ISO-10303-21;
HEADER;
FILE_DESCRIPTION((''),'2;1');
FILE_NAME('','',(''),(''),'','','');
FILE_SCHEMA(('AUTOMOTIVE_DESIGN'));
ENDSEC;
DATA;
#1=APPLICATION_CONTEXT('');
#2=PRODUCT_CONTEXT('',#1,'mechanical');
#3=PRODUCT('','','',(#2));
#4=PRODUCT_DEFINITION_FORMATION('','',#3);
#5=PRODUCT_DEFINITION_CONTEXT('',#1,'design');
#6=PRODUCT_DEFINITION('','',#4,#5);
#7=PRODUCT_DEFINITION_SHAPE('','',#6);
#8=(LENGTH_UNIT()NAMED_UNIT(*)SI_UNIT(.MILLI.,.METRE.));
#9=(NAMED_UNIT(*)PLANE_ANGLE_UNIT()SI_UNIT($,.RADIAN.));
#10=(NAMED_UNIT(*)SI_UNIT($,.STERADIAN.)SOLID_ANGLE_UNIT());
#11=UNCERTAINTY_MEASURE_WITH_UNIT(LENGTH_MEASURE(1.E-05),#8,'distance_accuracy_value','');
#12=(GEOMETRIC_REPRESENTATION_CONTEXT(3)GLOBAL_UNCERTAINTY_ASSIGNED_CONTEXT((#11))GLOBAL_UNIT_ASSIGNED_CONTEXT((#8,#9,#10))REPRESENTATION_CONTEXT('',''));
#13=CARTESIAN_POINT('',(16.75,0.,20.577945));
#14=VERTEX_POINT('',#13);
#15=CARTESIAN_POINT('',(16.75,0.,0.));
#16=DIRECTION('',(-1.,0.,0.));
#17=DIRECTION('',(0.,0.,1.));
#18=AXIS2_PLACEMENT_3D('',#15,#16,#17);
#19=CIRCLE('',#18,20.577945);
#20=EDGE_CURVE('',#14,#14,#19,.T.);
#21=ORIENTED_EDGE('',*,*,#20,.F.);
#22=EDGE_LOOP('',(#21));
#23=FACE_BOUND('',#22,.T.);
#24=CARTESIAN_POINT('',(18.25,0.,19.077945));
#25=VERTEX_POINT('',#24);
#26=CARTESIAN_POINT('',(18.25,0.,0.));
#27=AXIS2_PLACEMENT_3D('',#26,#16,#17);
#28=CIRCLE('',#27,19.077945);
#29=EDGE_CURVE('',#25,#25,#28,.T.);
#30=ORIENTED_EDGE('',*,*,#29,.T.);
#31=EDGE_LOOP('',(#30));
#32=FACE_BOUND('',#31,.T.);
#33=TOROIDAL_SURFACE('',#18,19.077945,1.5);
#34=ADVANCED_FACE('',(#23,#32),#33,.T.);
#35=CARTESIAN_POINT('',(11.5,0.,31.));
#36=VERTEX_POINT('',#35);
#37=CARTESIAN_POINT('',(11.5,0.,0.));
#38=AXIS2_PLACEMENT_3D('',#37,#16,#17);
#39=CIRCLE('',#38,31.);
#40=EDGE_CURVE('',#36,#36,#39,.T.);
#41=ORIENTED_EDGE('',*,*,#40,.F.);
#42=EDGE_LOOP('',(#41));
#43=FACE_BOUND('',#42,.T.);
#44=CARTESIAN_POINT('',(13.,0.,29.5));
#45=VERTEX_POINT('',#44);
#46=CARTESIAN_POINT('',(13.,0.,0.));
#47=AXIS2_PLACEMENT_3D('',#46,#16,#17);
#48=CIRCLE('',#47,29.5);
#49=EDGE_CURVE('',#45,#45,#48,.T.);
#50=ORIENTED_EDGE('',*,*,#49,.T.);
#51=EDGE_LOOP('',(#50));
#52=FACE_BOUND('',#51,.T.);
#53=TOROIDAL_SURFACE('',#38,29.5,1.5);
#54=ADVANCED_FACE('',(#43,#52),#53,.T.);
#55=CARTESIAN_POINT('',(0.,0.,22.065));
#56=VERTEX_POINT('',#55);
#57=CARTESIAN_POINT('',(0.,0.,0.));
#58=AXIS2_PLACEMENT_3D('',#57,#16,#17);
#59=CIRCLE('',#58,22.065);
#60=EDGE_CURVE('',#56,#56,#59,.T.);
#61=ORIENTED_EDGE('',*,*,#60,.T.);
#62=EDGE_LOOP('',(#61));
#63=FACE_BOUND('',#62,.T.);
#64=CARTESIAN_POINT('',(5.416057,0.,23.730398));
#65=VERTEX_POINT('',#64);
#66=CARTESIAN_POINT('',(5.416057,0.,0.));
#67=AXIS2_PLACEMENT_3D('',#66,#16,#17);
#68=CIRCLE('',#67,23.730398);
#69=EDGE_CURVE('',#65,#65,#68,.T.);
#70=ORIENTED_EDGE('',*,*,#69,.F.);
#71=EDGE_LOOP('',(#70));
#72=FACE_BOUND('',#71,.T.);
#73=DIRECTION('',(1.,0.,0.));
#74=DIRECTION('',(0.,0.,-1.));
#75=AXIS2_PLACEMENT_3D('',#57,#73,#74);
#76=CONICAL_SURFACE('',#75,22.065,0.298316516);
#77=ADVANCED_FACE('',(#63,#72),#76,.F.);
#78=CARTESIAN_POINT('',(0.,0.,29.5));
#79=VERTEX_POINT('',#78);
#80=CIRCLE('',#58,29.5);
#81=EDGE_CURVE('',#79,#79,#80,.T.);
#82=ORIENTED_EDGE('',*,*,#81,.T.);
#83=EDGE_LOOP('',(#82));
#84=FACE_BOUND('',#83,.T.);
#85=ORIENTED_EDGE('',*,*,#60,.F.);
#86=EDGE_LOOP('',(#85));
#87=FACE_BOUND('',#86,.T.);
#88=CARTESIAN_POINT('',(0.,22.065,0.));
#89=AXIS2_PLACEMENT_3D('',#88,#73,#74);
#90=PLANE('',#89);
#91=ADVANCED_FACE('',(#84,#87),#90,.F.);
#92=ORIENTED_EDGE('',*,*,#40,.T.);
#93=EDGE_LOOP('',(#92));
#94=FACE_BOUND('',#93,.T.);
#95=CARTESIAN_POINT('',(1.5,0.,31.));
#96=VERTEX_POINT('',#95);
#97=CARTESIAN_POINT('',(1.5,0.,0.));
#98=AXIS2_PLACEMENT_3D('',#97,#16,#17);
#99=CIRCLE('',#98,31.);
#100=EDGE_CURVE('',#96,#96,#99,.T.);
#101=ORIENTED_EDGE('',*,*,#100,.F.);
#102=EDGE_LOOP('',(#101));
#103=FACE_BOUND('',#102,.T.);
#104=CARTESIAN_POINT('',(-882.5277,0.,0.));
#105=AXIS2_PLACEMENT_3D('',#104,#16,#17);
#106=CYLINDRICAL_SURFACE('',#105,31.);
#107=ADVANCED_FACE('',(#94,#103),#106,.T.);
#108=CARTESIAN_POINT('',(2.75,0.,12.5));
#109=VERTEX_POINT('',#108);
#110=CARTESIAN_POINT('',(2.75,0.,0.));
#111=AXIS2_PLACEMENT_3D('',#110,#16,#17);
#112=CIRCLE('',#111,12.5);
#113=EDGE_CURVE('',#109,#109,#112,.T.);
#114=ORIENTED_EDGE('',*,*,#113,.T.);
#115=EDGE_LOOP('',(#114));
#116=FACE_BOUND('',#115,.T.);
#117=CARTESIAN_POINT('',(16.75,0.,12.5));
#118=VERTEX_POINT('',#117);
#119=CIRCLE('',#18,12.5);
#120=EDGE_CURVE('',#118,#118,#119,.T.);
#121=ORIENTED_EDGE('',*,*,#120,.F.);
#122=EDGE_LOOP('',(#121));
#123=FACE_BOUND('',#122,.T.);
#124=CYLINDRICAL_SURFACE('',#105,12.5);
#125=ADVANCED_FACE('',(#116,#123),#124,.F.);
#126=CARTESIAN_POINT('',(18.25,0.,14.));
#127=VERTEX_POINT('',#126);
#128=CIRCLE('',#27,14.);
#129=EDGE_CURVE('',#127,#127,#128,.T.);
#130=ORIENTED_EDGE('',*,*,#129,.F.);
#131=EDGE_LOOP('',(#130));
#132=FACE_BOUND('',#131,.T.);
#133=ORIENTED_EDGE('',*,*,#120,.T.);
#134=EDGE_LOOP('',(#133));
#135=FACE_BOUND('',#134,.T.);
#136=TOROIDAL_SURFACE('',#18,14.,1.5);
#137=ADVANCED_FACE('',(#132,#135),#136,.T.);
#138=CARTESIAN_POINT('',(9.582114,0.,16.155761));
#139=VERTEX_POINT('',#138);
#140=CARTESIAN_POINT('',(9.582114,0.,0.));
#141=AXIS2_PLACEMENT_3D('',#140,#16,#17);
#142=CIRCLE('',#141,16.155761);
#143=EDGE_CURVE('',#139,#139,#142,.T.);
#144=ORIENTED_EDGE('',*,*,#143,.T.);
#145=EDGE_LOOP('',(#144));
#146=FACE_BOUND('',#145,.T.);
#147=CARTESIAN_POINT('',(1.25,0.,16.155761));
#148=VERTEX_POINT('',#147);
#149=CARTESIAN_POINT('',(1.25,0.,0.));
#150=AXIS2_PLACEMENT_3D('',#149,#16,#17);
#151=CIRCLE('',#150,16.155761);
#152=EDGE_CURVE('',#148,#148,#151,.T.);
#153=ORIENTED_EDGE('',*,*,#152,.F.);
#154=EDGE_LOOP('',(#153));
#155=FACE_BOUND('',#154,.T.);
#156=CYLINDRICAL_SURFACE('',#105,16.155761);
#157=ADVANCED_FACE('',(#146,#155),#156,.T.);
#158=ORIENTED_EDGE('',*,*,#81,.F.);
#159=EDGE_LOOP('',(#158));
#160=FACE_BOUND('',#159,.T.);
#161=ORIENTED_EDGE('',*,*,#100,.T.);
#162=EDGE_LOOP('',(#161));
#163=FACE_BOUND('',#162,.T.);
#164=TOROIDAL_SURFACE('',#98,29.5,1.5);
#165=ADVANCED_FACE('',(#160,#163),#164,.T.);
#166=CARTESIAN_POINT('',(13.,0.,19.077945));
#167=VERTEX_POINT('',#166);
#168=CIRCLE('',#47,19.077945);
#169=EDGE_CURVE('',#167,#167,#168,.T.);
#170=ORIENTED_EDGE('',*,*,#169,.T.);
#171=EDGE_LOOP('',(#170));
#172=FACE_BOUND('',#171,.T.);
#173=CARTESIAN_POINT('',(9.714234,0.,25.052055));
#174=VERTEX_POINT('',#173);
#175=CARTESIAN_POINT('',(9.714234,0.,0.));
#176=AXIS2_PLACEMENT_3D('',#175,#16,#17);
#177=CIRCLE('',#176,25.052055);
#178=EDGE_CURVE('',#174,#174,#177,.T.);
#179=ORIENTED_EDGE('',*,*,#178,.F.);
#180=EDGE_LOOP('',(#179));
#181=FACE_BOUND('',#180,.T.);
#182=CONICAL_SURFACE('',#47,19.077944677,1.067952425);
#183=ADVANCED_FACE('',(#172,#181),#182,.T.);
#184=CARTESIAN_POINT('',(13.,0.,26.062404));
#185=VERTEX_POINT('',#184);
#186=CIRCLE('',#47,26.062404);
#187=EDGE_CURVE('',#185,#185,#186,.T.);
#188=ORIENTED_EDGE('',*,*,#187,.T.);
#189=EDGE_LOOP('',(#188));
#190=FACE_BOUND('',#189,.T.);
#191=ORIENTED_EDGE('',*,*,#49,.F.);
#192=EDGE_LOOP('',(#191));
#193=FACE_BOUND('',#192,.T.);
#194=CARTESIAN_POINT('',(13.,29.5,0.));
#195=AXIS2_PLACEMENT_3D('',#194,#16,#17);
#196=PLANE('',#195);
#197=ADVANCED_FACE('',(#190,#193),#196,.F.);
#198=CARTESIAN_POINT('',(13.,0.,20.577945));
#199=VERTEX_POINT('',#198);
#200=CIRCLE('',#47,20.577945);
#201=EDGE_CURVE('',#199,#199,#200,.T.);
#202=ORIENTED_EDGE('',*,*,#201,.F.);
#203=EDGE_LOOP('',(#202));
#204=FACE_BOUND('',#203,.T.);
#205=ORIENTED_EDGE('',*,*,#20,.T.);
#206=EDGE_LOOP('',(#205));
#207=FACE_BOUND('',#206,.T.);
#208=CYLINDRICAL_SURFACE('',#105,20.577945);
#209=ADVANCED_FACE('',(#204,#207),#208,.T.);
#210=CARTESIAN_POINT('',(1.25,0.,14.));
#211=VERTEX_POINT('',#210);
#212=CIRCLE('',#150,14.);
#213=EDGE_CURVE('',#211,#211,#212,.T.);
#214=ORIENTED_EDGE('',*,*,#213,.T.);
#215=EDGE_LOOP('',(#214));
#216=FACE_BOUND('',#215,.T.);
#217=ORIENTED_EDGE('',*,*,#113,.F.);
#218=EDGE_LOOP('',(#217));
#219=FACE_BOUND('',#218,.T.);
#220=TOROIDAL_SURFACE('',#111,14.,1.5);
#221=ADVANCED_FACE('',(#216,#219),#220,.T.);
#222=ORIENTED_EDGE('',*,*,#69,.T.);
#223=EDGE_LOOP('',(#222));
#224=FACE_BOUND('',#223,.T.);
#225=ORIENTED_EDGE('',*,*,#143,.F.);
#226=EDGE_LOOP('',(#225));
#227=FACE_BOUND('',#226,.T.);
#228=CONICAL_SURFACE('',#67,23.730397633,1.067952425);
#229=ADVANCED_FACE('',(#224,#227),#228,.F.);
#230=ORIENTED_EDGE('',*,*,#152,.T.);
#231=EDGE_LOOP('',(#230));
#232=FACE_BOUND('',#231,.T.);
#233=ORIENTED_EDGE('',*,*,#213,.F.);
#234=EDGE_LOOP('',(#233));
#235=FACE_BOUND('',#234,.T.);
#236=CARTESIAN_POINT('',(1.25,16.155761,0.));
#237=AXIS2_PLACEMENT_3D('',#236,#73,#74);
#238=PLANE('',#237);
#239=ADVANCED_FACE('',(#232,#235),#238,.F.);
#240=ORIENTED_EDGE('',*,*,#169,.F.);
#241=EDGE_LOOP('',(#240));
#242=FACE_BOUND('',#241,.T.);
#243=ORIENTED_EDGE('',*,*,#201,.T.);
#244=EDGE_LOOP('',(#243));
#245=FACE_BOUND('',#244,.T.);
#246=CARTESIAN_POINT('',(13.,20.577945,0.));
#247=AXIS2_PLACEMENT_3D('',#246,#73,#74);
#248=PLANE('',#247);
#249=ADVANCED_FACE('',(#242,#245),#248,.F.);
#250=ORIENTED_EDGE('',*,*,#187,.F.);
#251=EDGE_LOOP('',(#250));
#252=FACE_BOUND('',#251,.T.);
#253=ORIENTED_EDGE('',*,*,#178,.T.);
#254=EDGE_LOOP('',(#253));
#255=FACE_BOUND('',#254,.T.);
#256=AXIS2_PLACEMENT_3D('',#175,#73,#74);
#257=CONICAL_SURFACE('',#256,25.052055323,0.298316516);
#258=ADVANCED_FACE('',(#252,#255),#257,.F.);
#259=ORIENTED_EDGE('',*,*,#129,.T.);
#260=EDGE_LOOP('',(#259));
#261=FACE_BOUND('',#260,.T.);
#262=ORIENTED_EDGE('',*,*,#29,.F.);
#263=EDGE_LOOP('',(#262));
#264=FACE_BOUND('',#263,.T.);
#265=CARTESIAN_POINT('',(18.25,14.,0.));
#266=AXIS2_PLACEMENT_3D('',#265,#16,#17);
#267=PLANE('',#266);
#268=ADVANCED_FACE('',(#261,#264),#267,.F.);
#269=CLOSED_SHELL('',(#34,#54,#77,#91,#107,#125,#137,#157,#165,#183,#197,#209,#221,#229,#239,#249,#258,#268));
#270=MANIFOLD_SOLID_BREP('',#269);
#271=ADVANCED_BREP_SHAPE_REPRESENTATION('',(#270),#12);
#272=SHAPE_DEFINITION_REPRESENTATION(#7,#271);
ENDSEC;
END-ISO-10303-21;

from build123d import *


with BuildPart() as part:
    # Эскиз1 → Повернуть1 (revolve)
    with BuildSketch(Plane.XY):
        with BuildLine():
            Line((5.416057011, 23.730397633), (0, 22.065))
            Line((0, 22.065), (0, 29.5))
            ThreePointArc((0, 29.5), (0.439339828, 30.560660172), (1.5, 31))
            Line((1.5, 31), (11.5, 31))
            ThreePointArc((11.5, 31), (12.560660172, 30.560660172), (13, 29.5))
            Line((13, 29.5), (13, 26.062404234))
            Line((13, 26.062404234), (9.714233768, 25.052055323))
            Line((9.714233768, 25.052055323), (13, 19.077944677))
            Line((13, 19.077944677), (13, 20.577944677))
            Line((13, 20.577944677), (16.75, 20.577944677))
            ThreePointArc((16.75, 20.577944677), (17.810660172, 20.138604849), (18.25, 19.077944677))
            Line((18.25, 19.077944677), (18.25, 14))
            ThreePointArc((18.25, 14), (17.810660172, 12.939339828), (16.75, 12.5))
            Line((16.75, 12.5), (2.75, 12.5))
            ThreePointArc((2.75, 12.5), (1.689339828, 12.939339828), (1.25, 14))
            Line((1.25, 14), (1.25, 16.155760918))
            Line((1.25, 16.155760918), (9.582114021, 16.155760918))
            Line((9.582114021, 16.155760918), (5.416057011, 23.730397633))
        make_face()
    revolve(axis=Axis((-882.527700014, 0, 0), (1, 0, 0)))


solid = part.part
